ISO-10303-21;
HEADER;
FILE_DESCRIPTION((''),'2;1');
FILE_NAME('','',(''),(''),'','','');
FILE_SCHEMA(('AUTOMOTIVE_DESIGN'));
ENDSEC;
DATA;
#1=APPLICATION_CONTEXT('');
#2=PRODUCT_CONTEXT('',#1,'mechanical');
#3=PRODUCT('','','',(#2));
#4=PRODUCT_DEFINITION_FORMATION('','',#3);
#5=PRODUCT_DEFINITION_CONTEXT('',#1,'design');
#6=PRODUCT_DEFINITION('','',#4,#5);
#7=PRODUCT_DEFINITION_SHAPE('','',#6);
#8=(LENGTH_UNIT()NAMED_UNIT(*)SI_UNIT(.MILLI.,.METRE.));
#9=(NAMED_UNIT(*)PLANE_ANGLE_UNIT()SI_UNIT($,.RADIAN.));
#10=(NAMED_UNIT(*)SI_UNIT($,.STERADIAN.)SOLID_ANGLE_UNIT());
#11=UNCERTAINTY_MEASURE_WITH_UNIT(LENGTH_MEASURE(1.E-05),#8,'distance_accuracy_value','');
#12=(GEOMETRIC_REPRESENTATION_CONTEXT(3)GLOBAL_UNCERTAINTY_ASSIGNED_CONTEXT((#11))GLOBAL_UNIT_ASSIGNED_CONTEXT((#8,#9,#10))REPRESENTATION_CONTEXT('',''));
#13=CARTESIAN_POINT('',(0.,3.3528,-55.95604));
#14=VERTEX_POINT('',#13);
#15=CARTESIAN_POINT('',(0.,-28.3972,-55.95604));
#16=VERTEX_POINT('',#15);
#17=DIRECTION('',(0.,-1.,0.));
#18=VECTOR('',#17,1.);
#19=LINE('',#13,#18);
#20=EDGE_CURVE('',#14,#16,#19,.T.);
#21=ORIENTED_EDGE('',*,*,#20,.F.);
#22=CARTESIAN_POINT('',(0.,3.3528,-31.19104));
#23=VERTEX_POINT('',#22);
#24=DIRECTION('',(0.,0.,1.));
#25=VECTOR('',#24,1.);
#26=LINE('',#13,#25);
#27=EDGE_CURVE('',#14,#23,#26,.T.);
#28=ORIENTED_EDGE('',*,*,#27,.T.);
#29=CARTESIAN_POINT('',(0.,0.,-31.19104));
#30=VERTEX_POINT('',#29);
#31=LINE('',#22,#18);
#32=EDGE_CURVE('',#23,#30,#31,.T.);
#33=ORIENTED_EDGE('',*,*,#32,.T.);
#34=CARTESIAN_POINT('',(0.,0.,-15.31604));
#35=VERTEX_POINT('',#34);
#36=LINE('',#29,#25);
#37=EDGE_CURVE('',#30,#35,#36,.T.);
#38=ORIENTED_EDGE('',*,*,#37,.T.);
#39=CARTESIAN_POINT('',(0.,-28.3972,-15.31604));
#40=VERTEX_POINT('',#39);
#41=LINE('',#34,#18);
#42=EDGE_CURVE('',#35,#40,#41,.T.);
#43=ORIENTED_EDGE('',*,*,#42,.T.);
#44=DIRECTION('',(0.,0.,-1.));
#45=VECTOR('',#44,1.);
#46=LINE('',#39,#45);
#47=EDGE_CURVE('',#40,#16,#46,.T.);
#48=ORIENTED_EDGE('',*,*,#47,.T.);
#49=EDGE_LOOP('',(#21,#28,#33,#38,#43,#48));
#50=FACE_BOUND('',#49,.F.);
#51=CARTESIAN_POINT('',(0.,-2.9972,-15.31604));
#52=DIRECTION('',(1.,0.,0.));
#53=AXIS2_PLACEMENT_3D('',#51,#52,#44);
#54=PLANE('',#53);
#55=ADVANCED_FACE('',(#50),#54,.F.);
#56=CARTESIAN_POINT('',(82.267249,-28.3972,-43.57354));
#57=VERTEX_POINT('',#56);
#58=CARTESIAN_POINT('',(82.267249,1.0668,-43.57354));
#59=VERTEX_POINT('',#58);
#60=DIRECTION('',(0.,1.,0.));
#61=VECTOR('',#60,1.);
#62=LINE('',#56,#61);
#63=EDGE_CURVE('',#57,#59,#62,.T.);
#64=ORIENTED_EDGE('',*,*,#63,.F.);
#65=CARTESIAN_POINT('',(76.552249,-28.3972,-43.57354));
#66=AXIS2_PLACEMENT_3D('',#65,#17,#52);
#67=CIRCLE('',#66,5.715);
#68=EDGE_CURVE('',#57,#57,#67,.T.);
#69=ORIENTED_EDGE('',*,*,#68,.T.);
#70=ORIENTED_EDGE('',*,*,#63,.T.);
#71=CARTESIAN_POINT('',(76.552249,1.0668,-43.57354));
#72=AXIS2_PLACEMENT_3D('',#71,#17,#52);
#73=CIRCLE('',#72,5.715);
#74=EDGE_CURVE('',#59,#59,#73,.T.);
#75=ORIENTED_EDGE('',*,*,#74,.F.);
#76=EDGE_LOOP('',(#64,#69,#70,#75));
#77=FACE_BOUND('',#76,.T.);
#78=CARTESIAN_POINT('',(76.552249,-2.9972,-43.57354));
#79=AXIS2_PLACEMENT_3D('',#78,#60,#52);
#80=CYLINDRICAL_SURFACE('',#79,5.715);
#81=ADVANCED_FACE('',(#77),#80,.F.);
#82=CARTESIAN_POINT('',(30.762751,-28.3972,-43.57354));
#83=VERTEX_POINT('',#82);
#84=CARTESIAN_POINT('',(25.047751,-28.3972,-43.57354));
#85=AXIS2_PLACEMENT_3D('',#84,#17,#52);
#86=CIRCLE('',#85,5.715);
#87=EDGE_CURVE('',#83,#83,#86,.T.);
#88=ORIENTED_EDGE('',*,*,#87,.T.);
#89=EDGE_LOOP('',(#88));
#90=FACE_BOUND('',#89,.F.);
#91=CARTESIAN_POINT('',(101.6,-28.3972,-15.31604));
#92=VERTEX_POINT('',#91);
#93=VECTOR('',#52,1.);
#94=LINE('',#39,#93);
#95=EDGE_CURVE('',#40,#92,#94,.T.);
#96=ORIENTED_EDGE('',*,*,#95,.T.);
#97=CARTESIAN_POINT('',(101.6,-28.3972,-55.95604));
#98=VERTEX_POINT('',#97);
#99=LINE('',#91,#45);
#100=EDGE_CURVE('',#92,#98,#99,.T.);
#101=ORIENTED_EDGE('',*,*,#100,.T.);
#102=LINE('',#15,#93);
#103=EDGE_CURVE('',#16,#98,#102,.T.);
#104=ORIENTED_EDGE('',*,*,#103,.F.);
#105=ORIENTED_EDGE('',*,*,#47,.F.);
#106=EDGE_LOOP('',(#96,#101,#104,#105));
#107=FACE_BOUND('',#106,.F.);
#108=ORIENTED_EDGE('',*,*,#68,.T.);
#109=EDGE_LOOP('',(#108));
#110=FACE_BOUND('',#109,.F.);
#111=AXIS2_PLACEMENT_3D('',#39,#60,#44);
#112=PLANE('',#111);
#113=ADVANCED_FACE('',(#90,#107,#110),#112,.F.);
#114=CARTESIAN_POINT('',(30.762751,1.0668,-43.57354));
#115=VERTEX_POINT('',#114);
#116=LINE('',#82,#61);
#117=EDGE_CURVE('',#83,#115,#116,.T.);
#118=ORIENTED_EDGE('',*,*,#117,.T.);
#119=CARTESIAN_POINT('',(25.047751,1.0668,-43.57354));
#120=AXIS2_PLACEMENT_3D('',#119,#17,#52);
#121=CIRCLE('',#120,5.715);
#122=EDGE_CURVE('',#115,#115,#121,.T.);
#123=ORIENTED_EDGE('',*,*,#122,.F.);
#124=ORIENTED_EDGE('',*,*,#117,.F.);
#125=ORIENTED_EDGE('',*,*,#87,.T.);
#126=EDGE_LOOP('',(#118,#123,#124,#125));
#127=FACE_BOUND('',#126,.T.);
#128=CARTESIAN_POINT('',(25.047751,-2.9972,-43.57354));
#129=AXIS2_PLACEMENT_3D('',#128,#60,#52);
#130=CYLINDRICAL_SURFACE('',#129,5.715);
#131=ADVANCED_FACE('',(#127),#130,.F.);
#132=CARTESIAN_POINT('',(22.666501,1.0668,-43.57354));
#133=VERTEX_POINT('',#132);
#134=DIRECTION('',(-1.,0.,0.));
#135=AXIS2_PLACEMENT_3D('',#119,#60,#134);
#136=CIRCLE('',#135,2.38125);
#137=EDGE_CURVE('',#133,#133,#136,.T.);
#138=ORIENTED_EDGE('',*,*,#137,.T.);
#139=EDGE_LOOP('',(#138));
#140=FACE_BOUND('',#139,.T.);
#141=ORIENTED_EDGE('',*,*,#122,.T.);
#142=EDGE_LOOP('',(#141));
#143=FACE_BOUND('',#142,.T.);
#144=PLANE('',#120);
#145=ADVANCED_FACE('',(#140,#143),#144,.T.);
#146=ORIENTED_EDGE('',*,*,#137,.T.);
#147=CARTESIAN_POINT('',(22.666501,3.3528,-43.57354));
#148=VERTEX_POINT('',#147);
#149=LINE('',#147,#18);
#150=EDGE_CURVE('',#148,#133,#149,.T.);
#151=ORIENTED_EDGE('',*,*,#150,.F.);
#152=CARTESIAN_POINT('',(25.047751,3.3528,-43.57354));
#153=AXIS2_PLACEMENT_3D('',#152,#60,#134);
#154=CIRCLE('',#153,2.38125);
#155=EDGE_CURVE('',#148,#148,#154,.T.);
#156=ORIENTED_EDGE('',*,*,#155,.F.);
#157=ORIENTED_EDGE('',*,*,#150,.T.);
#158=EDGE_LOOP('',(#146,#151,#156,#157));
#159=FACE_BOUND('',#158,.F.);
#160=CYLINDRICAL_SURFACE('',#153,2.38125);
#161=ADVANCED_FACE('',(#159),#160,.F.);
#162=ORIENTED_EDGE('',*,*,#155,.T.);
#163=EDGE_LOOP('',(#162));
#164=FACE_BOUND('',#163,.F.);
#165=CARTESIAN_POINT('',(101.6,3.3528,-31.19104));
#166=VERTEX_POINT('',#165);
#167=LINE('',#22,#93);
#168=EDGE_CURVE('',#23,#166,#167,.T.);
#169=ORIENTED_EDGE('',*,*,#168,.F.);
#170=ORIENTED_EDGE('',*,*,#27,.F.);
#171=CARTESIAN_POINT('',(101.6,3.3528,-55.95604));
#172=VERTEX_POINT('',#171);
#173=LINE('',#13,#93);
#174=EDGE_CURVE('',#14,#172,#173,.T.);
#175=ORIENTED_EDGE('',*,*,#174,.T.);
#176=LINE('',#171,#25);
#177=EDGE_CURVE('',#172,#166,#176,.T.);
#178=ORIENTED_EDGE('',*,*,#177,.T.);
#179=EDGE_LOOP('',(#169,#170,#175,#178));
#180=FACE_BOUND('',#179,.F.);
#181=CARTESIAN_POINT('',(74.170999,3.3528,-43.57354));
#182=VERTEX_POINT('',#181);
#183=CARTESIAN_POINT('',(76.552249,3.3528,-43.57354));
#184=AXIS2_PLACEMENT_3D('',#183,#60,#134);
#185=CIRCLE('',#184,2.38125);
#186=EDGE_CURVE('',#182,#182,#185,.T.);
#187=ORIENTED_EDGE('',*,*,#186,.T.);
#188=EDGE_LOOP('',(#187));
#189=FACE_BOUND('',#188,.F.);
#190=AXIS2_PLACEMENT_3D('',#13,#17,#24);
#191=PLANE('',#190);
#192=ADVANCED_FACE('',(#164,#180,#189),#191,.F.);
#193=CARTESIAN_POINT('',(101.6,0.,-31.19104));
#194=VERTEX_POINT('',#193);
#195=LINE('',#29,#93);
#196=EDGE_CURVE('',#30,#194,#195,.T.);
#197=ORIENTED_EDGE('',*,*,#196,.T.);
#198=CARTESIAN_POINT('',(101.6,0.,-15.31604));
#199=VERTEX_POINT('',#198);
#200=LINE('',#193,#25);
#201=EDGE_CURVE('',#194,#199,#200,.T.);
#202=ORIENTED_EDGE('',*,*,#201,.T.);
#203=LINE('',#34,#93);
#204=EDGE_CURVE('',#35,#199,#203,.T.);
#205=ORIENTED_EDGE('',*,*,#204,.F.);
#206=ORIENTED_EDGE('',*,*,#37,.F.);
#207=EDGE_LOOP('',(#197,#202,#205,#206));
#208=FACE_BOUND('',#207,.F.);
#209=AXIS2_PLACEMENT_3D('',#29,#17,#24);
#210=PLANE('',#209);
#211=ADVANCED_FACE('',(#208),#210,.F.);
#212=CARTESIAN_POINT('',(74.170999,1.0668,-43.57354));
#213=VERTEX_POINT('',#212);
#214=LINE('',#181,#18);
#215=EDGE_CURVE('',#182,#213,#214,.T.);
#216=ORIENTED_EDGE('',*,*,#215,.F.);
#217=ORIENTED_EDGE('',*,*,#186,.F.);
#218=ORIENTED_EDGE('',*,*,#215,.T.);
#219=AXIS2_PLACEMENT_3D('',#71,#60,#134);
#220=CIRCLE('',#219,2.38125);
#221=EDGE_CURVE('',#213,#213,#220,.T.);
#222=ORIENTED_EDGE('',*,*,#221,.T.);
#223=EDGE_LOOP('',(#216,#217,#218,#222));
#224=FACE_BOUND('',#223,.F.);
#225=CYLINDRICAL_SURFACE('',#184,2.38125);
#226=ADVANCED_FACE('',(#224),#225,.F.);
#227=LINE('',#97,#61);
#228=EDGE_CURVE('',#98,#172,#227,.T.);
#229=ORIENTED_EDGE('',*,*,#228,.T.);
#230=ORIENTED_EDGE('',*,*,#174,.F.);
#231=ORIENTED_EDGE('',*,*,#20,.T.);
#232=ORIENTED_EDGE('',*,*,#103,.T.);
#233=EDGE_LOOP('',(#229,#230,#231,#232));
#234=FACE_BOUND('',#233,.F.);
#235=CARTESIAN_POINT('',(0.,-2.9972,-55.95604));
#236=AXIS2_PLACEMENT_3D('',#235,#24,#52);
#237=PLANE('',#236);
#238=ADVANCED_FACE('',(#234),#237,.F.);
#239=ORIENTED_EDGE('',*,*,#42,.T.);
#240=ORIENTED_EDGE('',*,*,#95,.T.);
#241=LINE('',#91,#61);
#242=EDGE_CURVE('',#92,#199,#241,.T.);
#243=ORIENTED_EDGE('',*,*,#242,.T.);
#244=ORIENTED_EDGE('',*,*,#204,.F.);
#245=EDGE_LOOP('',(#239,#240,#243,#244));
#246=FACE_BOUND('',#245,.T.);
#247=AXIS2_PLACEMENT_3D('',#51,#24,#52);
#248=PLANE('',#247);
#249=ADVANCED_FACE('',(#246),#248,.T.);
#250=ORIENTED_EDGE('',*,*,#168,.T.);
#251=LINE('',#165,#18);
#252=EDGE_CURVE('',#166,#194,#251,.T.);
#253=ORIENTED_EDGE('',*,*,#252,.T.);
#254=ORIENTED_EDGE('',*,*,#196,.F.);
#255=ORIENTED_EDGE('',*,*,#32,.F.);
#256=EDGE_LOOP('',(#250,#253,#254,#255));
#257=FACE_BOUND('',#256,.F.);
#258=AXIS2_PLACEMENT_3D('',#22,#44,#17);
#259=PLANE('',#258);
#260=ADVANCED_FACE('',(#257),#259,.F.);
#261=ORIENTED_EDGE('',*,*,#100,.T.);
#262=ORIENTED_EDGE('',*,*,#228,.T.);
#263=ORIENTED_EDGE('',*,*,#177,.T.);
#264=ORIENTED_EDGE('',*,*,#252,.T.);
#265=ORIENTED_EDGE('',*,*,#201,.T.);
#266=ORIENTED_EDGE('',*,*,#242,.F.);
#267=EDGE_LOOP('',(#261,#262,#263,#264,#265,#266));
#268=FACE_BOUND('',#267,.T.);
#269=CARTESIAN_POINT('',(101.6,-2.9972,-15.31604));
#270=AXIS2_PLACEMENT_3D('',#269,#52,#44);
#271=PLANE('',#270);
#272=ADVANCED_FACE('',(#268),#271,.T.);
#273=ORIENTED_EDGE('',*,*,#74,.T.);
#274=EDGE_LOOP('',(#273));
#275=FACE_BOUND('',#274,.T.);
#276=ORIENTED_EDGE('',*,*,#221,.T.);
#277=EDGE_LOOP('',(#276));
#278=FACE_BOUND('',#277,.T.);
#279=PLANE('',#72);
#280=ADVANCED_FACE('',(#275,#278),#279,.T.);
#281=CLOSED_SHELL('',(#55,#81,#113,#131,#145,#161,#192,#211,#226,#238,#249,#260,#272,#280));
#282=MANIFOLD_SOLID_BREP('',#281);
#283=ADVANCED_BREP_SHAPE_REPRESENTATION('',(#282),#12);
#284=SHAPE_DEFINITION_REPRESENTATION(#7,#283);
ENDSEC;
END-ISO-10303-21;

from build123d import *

# Parameters (mm, degrees)
F1_DEPTH = 101.6
F2_R     = 2.38125
F3_DEPTH = 6.35
F4_R     = 5.715
F5_DEPTH = 4.064
F6_DEPTH = 25.4
F7_DEPTH = 23.7960387021


with BuildPart() as f1:
    # F0 (on Right) → F1 (new body)
    with BuildSketch(Plane.YZ):
        Polygon((0, -31.1910395777), (0, -15.3160395777), (-2.9972, -15.3160395777), (-2.9972, -55.9560395777), (3.3528, -55.9560395777), (3.3528, -31.1910395777), align=None)
    extrude(amount=F1_DEPTH)

    # F2 (on face) → F3 (cut, through all)
    with BuildSketch(Plane(origin=(0, 3.3528, 0), x_dir=(-1, 0, 0), z_dir=(0, 1, 0))):
        with Locations((-76.5522494912, -43.5735395777)):
            Circle(F2_R)
        with Locations((-25.0477505088, -43.5735395777)):
            Circle(F2_R)
    extrude(amount=-F3_DEPTH, mode=Mode.SUBTRACT)

    # F4 (on face) → F5 (cut)
    with BuildSketch(Plane.XZ.offset(2.9972)):
        with Locations((25.0477505088, -43.5735395777)):
            Circle(F4_R)
        with Locations((76.5522494912, -43.5735395777)):
            Circle(F4_R)
    extrude(amount=-F5_DEPTH, mode=Mode.SUBTRACT)

    # F6 (add): a face of the model
    f6_faces = [f1.faces().sort_by_distance(p)[0] for p in [
        (50.8, -2.9972, -35.2209054991),
    ]]
    extrude(f6_faces, amount=F6_DEPTH)

    # F7 (cut): a face of the model
    f7_faces = [f1.faces().sort_by_distance(p)[0] for p in [
        (50.8, -14.1986, -15.3160395777),
    ]]
    extrude(f7_faces, amount=F7_DEPTH, mode=Mode.SUBTRACT)


solid = f1.part
